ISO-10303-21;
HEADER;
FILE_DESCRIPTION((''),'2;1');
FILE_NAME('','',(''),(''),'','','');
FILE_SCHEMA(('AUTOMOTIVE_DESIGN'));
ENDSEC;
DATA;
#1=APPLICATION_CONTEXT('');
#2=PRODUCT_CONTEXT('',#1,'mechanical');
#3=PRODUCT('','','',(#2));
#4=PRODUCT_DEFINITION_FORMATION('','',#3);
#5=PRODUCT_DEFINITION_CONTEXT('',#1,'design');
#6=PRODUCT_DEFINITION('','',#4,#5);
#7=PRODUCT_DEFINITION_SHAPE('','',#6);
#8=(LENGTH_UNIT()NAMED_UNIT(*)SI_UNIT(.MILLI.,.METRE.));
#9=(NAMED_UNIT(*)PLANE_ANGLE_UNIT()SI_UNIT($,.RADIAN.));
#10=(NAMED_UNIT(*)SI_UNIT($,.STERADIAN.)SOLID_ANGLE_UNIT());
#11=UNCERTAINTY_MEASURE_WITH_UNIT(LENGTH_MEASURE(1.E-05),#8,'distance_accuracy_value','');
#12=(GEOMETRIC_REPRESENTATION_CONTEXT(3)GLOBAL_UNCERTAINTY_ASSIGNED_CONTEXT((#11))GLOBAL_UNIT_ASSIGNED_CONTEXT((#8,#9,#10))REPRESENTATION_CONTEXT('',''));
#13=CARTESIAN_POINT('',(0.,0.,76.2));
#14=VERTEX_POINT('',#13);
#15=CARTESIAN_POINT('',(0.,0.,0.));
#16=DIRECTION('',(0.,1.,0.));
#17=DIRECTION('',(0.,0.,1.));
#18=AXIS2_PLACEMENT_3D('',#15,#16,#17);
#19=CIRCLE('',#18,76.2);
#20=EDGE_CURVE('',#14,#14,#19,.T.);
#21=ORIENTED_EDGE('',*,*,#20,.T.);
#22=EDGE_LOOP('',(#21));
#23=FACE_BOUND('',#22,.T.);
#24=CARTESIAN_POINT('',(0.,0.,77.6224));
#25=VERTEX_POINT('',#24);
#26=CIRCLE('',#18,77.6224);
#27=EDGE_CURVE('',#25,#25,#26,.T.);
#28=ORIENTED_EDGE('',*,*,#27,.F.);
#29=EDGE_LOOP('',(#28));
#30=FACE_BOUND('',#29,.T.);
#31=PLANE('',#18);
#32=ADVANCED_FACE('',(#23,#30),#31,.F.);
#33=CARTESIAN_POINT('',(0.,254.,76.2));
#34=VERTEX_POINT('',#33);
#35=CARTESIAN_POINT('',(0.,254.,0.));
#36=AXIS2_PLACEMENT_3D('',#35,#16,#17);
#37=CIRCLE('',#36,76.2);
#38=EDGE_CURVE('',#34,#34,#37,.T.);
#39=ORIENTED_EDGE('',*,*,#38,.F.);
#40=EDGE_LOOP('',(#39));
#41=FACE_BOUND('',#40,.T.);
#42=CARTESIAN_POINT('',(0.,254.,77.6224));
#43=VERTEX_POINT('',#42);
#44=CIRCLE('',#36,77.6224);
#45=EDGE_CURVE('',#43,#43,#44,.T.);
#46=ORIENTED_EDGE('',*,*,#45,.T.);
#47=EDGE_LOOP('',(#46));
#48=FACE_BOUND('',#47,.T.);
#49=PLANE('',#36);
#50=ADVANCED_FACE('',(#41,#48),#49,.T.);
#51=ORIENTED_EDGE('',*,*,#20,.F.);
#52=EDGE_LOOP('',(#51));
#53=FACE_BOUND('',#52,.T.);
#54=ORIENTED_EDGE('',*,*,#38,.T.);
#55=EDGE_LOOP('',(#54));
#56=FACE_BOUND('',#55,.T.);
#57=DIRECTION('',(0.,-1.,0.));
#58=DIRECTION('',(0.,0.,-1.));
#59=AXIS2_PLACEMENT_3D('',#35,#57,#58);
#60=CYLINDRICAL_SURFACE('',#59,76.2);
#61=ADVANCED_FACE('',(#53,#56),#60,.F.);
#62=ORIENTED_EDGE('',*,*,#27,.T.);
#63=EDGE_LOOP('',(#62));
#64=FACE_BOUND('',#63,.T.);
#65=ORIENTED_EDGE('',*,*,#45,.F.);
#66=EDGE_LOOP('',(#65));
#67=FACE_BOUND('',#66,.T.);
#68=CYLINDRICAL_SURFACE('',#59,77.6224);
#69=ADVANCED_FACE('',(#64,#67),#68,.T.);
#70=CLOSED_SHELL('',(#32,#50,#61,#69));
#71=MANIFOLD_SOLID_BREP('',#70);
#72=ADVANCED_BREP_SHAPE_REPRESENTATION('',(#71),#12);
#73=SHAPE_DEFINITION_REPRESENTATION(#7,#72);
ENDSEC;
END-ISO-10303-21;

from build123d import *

# Parameters (mm, degrees)
SKETCH1_R           = 77.6224
SKETCH1_R_2         = 76.2
BOSS_EXTRUDE1_DEPTH = 254


with BuildPart() as part:
    # Sketch1 → Boss-Extrude1 (new body)
    with BuildSketch(Plane(origin=(0, 0, 0), x_dir=(1, 0, 0), z_dir=(0, 1, 0))):
        with Locations(Location((0, 0, 0), (0, 0, 270))):
            Circle(SKETCH1_R)
        with Locations(Location((0, 0, 0), (0, 0, 270))):
            Circle(SKETCH1_R_2, mode=Mode.SUBTRACT)
    extrude(amount=BOSS_EXTRUDE1_DEPTH)


solid = part.part
